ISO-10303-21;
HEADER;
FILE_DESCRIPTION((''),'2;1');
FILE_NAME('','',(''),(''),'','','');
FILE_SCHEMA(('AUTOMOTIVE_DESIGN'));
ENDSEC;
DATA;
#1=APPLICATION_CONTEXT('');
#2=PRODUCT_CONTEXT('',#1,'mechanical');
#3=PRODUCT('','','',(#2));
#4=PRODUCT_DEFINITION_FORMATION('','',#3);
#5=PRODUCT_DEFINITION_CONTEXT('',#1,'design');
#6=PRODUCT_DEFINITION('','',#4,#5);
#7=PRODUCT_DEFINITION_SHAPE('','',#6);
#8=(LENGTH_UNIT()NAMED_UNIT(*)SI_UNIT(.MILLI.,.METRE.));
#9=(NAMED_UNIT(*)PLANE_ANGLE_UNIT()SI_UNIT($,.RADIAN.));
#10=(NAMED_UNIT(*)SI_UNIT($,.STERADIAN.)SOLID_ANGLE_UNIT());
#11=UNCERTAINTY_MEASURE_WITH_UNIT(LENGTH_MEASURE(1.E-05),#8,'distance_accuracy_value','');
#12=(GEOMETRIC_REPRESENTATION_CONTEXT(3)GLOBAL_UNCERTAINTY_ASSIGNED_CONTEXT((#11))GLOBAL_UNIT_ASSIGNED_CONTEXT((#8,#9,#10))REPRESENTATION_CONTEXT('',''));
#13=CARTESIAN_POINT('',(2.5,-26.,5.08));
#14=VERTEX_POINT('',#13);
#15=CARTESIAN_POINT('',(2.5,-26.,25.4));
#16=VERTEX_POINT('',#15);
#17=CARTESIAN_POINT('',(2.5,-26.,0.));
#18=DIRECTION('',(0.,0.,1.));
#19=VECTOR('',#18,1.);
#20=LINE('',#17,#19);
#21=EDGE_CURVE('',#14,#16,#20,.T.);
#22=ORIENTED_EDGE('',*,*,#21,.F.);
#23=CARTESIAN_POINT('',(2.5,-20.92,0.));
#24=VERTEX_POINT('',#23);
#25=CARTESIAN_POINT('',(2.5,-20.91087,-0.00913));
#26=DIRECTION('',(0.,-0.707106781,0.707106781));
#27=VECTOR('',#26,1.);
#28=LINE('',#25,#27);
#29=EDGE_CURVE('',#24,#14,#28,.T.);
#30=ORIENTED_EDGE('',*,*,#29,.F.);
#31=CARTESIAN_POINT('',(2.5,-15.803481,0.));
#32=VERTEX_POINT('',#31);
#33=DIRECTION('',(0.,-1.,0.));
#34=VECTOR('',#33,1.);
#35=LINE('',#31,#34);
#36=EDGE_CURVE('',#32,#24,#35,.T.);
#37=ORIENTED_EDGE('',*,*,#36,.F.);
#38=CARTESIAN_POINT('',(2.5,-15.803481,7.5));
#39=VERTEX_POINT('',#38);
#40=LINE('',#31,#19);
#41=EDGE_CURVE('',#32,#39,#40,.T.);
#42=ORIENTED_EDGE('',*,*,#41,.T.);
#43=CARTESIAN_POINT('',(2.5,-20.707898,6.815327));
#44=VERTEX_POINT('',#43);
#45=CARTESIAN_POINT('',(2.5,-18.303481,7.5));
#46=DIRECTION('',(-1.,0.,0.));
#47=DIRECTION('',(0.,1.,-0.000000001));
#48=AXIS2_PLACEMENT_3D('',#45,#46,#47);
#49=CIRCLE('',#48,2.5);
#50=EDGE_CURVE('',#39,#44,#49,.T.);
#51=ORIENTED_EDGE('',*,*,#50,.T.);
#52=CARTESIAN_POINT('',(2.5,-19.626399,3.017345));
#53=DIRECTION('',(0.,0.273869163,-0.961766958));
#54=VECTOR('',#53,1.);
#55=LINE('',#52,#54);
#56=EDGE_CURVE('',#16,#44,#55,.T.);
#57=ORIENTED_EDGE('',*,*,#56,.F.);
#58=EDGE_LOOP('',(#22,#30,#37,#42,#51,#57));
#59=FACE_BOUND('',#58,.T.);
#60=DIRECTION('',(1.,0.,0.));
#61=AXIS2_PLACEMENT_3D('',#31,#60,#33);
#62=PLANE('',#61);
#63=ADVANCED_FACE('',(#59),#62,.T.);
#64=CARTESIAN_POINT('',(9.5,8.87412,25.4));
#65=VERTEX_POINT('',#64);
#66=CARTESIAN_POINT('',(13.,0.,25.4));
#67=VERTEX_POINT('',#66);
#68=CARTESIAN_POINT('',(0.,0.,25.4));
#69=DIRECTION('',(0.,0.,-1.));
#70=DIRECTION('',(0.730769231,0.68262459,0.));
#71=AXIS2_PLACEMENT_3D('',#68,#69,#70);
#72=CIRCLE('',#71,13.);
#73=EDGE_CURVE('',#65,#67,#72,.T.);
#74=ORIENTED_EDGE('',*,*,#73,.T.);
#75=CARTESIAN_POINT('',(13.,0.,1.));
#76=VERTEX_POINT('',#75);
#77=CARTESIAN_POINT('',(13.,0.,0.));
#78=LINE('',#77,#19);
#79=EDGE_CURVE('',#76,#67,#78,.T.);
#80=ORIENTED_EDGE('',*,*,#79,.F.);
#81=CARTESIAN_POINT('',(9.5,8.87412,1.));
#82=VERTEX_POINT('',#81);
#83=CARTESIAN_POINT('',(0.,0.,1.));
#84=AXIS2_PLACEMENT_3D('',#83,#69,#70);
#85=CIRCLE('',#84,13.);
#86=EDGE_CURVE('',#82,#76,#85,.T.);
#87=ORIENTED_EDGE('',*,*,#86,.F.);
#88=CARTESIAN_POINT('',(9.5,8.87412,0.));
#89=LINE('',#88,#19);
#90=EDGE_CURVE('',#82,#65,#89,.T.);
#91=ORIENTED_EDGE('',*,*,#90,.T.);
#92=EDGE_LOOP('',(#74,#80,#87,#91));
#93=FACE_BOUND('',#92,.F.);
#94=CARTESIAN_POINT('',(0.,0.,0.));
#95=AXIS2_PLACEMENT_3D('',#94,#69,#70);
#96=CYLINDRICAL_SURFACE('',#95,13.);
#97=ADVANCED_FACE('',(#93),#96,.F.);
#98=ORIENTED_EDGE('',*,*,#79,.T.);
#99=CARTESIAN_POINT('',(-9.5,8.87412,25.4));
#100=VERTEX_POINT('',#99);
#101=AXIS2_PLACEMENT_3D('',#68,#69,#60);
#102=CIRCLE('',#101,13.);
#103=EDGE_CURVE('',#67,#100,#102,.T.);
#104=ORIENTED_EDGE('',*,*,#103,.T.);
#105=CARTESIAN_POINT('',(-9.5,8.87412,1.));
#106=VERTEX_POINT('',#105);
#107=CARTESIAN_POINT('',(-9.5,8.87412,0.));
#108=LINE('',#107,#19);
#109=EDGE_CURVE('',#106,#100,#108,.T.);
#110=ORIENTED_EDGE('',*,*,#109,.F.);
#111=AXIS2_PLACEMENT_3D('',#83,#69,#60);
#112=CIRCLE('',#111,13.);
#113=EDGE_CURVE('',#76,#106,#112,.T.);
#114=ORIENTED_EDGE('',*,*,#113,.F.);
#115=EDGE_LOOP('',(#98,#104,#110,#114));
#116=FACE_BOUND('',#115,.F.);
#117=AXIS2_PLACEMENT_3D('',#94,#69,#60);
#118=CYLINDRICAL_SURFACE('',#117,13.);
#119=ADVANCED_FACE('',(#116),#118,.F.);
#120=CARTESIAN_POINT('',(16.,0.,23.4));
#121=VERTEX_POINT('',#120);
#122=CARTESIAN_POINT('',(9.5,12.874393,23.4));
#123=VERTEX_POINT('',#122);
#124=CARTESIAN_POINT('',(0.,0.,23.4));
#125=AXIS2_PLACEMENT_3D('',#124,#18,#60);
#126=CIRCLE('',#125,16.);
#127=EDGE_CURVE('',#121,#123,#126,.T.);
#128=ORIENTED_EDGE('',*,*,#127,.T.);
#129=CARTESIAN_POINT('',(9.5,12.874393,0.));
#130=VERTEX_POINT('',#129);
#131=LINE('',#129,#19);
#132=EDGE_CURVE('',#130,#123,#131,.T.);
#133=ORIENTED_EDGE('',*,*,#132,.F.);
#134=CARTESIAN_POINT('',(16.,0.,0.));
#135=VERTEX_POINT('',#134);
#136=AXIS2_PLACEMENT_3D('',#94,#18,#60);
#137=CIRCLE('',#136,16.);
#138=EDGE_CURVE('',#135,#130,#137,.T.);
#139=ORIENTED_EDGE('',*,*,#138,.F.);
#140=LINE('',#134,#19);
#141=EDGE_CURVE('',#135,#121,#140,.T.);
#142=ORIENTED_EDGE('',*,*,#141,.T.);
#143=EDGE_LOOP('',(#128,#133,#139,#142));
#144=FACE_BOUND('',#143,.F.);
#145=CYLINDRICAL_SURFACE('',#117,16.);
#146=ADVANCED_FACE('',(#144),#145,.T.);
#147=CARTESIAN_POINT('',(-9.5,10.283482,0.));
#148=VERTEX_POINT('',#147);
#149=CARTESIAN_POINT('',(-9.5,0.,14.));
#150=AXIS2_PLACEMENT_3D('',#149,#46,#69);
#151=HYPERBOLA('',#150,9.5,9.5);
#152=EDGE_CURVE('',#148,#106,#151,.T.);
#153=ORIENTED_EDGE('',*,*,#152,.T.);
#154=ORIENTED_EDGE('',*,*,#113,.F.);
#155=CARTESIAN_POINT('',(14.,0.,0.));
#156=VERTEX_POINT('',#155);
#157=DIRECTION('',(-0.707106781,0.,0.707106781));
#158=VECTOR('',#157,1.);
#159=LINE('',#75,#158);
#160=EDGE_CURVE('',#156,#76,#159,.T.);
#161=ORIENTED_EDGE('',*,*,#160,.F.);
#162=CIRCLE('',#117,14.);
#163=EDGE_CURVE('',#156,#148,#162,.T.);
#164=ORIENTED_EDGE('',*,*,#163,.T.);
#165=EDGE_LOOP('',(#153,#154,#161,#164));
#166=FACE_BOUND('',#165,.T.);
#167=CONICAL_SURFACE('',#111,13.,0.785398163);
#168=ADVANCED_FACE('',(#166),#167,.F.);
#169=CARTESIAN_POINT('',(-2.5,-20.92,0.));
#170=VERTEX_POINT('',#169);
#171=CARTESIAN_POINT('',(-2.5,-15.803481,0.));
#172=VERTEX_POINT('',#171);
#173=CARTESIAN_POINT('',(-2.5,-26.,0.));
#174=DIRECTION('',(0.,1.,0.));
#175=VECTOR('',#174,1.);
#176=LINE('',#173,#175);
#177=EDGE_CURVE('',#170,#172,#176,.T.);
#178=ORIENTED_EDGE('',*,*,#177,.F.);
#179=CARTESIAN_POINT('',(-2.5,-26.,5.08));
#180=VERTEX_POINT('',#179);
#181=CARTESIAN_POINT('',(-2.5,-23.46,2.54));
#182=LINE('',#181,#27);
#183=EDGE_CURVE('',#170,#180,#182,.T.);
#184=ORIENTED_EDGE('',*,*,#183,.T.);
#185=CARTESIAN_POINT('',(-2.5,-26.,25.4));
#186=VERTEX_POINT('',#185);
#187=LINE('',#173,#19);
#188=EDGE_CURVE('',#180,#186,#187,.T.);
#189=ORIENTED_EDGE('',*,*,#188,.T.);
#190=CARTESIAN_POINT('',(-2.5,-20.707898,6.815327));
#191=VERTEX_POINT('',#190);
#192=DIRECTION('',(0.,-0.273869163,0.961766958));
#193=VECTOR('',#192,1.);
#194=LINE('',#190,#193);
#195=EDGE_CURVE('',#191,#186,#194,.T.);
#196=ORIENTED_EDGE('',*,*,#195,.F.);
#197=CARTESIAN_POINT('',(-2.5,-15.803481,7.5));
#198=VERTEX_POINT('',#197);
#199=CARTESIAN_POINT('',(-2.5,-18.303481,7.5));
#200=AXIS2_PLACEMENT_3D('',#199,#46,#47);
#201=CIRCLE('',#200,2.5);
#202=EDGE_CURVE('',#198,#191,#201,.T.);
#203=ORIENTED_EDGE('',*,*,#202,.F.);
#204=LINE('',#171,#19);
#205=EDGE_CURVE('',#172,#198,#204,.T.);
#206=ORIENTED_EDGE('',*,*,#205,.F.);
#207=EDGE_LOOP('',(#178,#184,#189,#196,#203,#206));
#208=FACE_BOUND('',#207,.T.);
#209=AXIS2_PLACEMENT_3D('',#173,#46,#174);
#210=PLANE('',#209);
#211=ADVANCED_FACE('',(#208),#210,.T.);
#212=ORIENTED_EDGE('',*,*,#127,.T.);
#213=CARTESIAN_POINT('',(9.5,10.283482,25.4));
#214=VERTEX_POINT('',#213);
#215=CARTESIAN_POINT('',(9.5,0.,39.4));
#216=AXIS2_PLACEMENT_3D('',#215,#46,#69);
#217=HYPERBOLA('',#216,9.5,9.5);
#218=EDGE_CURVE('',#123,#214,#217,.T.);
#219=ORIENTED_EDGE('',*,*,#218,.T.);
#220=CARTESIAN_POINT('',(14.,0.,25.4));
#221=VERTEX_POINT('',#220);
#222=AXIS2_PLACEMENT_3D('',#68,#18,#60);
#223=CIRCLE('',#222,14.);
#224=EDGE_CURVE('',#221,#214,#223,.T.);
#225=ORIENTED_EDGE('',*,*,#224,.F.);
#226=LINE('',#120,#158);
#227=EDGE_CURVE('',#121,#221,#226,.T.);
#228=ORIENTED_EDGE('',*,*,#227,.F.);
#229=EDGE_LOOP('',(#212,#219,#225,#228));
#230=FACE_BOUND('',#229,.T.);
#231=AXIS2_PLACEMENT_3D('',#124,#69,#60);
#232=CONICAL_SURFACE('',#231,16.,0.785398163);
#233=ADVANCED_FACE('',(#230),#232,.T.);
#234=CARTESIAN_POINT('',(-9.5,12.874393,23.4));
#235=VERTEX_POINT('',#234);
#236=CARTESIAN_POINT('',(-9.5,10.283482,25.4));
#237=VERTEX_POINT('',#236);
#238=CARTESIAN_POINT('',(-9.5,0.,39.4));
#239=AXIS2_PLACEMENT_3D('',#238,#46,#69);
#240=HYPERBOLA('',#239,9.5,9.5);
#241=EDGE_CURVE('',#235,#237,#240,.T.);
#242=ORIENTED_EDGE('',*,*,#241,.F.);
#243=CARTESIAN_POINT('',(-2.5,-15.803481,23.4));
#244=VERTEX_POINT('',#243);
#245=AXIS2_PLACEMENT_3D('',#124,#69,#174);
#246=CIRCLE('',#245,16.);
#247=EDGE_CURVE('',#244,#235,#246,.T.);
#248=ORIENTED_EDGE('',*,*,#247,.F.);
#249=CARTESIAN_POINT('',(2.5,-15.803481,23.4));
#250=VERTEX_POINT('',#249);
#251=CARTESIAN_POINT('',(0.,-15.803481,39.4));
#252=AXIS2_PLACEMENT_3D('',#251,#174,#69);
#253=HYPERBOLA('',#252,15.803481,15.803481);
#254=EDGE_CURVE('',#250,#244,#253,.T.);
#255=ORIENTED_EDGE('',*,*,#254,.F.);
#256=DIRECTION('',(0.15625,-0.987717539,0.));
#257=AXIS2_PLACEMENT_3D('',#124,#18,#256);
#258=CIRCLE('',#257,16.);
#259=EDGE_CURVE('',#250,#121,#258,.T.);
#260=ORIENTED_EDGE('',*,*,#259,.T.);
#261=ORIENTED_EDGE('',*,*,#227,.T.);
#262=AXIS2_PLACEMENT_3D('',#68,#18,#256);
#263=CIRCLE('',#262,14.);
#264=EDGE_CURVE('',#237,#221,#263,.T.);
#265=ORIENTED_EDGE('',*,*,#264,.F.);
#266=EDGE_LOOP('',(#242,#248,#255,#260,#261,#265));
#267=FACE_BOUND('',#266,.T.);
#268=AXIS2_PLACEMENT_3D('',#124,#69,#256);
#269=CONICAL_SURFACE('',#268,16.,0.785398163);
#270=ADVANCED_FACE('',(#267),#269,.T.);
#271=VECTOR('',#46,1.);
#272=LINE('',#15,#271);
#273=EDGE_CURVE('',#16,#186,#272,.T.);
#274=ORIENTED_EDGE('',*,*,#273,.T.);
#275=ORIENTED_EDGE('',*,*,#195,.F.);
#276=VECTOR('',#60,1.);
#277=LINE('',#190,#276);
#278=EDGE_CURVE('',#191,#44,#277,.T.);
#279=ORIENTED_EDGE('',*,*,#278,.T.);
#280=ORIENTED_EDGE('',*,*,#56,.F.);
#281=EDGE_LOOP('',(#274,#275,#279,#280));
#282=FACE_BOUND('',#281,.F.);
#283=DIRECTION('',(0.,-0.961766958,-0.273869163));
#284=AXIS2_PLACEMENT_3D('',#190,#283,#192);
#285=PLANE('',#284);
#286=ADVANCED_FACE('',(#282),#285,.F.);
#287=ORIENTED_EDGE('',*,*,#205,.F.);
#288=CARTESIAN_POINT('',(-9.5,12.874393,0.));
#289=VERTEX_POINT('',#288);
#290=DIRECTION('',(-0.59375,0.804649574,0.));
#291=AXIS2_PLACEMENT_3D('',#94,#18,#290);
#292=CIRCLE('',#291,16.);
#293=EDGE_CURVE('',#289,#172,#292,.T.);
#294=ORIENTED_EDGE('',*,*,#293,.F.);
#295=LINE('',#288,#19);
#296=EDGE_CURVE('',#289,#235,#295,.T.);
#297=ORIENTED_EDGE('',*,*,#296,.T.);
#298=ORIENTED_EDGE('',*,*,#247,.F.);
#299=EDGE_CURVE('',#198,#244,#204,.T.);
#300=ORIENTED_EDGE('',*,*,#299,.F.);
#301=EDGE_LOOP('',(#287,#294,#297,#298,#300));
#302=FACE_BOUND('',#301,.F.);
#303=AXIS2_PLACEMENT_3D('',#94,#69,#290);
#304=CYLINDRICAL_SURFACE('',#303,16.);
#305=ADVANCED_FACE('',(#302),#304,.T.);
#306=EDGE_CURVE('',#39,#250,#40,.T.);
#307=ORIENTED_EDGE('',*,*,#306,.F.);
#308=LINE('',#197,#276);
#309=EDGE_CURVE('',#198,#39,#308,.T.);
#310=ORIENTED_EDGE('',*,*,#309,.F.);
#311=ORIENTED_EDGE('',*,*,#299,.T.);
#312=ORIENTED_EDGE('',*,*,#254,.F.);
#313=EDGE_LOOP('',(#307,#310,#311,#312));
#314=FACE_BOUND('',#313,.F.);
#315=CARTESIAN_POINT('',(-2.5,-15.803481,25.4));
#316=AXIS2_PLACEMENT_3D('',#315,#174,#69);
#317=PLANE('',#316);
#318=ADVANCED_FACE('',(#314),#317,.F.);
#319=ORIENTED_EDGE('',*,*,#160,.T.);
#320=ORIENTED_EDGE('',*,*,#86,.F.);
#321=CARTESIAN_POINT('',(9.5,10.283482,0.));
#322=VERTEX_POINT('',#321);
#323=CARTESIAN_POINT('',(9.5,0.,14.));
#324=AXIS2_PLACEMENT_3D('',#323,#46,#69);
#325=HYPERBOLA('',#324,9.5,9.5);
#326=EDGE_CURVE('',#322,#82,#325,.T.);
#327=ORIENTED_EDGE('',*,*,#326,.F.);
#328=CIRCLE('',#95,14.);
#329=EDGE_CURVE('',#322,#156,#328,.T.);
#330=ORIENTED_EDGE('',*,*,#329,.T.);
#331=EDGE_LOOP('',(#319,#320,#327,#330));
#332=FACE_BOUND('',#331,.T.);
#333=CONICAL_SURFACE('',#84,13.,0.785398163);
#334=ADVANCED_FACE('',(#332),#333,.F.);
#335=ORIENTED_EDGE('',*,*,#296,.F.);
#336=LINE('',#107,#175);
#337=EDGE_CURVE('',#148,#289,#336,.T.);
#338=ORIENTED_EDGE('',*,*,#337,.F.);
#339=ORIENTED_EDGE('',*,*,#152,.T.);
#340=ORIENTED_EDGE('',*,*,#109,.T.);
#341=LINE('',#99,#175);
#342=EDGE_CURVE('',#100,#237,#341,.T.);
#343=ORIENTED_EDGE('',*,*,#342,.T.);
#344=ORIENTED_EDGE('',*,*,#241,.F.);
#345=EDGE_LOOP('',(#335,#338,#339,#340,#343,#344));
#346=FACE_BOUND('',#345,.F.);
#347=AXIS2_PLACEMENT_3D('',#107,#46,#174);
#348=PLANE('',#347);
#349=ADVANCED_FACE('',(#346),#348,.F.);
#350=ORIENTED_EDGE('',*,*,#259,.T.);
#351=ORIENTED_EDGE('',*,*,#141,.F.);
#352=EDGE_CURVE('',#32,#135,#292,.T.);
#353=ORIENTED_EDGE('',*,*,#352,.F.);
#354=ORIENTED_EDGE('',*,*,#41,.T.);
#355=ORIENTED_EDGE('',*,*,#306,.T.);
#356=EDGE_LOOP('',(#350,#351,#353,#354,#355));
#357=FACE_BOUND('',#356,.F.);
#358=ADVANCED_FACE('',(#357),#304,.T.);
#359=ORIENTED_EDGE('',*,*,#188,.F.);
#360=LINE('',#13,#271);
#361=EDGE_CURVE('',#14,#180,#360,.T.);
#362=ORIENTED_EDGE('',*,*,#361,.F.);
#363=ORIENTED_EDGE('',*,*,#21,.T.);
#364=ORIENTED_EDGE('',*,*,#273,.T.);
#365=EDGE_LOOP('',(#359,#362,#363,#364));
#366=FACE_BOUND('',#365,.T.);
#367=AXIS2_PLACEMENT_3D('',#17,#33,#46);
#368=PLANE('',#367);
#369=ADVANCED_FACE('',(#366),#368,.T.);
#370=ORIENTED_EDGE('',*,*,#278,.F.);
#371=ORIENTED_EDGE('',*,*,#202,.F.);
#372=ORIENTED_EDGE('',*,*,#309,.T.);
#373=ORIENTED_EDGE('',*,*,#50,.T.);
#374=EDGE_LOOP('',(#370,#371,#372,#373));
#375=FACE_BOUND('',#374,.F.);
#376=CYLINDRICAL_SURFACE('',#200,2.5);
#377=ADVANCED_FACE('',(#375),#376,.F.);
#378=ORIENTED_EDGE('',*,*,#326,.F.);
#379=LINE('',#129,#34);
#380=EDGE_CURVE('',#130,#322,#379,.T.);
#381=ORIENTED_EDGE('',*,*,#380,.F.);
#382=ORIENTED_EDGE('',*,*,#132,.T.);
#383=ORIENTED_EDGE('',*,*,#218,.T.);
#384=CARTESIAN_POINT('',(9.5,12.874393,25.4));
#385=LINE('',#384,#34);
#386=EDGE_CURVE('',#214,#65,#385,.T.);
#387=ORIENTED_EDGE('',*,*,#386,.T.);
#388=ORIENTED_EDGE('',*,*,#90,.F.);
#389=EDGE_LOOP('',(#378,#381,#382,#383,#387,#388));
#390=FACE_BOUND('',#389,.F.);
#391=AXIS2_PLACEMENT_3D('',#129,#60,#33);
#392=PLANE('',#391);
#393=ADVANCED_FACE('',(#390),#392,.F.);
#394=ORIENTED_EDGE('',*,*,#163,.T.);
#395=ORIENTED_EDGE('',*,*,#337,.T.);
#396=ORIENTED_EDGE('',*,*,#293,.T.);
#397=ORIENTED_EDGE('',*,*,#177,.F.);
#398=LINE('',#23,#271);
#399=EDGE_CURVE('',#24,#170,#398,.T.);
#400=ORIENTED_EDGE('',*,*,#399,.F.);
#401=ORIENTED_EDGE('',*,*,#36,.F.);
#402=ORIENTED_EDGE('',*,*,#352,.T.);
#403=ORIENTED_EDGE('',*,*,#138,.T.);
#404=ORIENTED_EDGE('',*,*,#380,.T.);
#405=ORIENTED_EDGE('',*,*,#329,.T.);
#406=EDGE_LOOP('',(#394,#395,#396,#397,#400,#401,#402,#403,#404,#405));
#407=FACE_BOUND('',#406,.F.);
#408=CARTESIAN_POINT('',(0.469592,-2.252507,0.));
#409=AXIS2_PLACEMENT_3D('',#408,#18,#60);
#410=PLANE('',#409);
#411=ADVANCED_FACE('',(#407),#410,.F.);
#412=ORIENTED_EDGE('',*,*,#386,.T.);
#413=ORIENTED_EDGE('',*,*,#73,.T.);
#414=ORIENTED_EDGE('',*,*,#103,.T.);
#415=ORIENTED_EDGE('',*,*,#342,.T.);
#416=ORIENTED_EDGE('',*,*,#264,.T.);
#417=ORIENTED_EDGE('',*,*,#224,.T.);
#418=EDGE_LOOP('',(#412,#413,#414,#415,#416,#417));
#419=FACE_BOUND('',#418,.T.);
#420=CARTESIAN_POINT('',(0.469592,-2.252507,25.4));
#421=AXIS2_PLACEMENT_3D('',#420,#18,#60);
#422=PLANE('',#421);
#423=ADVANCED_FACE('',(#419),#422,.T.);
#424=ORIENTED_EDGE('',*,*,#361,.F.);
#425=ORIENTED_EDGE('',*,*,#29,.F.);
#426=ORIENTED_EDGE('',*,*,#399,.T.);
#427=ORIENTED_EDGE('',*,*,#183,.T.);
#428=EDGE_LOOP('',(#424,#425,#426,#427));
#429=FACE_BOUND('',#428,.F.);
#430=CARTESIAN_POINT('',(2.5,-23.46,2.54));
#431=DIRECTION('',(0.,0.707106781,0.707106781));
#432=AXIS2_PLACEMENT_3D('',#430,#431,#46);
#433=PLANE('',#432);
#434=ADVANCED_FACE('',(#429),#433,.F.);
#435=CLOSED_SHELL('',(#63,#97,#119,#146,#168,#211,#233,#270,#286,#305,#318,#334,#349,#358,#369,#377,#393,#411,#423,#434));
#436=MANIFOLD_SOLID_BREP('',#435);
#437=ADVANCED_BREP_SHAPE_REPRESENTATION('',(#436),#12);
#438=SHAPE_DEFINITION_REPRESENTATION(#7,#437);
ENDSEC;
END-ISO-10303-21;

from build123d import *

# Parameters (mm, degrees)
F1_DEPTH = 25.4
F3_DEPTH = 25.4
F5_DEPTH = 25.4
F6_SIZE  = 5.08
F7_SIZE  = 1
F8_SIZE  = 2


with BuildPart() as f1:
    # F0 (on Top) → F1 (new body)
    with BuildSketch(Plane.XY):
        with BuildLine():
            Line((9.5, 12.8743931896), (9.5, 8.8741196746))
            ThreePointArc((9.5, 8.8741196746), (12.0933866224, 4.7696960071), (13, 0))
            ThreePointArc((13, 0), (-4.7696960071, -12.0933866224), (-9.5, 8.8741196746))
            Line((-9.5, 8.8741196747), (-9.5, 12.8743931896))
            ThreePointArc((-9.5, 12.8743931896), (-7.2111025509, -14.2828568571), (16, 0))
            ThreePointArc((16, 0), (14.2828568571, 7.2111025509), (9.5, 12.8743931896))
        make_face()
    extrude(amount=F1_DEPTH)

    # F2 (on face) → F3 (join, through all)
    with BuildSketch(Plane(origin=(0, 0, 0), x_dir=(1, 0, 0), z_dir=(0, 0, -1))):
        with BuildLine():
            Line((2.5, 15.8034806293), (2.5, 26))
            Line((2.5, 26), (-2.5, 26))
            Line((-2.5, 26), (-2.5, 15.8034806293))
            ThreePointArc((-2.5, 15.8034806293), (0, 16), (2.5, 15.8034806293))
        make_face()
    extrude(amount=-F3_DEPTH)

    # F4 (on face) → F5 (cut)
    with BuildSketch(Plane(origin=(-2.5, 0, 0), x_dir=(0, -1, 0), z_dir=(-1, 0, 0))):
        with BuildLine():
            ThreePointArc((20.8034806293, 7.5), (20.7794696728, 7.1543437309), (20.7078980242, 6.8153270919))
            Line((20.7078980242, 6.8153270919), (26, 25.4000000001))
            Line((26, 25.4), (15.8034806293, 25.4))
            Line((15.8034806293, 25.4), (15.8034806293, 7.4999999981))
            ThreePointArc((15.8034806293, 7.4999999981), (18.3034806283, 10), (20.8034806293, 7.5))
        make_face()
        with BuildLine():
            ThreePointArc((15.8034806293, 7.4999999981), (17.9578243611, 5.0240109563), (20.7078980242, 6.8153270919))
            ThreePointArc((20.7078980242, 6.8153270919), (20.7794696728, 7.1543437309), (20.8034806293, 7.5))
            ThreePointArc((20.8034806293, 7.5), (18.3034806283, 10), (15.8034806293, 7.4999999981))
        make_face()
    extrude(amount=-F5_DEPTH, mode=Mode.SUBTRACT)

    # F6
    f6_edges = [f1.edges().sort_by_distance(p)[0] for p in [
        (0, -26, 0),
    ]]
    chamfer(f6_edges, length=F6_SIZE)

    # F7
    f7_edges = [f1.edges().sort_by_distance(p)[0] for p in [
        (0, -13, 0),
    ]]
    chamfer(f7_edges, length=F7_SIZE)

    # F8
    f8_edges = [f1.edges().sort_by_distance(p)[0] for p in [
        (14.282857, 7.211103, 25.4),
    ]]
    chamfer(f8_edges, length=F8_SIZE)


solid = f1.part
